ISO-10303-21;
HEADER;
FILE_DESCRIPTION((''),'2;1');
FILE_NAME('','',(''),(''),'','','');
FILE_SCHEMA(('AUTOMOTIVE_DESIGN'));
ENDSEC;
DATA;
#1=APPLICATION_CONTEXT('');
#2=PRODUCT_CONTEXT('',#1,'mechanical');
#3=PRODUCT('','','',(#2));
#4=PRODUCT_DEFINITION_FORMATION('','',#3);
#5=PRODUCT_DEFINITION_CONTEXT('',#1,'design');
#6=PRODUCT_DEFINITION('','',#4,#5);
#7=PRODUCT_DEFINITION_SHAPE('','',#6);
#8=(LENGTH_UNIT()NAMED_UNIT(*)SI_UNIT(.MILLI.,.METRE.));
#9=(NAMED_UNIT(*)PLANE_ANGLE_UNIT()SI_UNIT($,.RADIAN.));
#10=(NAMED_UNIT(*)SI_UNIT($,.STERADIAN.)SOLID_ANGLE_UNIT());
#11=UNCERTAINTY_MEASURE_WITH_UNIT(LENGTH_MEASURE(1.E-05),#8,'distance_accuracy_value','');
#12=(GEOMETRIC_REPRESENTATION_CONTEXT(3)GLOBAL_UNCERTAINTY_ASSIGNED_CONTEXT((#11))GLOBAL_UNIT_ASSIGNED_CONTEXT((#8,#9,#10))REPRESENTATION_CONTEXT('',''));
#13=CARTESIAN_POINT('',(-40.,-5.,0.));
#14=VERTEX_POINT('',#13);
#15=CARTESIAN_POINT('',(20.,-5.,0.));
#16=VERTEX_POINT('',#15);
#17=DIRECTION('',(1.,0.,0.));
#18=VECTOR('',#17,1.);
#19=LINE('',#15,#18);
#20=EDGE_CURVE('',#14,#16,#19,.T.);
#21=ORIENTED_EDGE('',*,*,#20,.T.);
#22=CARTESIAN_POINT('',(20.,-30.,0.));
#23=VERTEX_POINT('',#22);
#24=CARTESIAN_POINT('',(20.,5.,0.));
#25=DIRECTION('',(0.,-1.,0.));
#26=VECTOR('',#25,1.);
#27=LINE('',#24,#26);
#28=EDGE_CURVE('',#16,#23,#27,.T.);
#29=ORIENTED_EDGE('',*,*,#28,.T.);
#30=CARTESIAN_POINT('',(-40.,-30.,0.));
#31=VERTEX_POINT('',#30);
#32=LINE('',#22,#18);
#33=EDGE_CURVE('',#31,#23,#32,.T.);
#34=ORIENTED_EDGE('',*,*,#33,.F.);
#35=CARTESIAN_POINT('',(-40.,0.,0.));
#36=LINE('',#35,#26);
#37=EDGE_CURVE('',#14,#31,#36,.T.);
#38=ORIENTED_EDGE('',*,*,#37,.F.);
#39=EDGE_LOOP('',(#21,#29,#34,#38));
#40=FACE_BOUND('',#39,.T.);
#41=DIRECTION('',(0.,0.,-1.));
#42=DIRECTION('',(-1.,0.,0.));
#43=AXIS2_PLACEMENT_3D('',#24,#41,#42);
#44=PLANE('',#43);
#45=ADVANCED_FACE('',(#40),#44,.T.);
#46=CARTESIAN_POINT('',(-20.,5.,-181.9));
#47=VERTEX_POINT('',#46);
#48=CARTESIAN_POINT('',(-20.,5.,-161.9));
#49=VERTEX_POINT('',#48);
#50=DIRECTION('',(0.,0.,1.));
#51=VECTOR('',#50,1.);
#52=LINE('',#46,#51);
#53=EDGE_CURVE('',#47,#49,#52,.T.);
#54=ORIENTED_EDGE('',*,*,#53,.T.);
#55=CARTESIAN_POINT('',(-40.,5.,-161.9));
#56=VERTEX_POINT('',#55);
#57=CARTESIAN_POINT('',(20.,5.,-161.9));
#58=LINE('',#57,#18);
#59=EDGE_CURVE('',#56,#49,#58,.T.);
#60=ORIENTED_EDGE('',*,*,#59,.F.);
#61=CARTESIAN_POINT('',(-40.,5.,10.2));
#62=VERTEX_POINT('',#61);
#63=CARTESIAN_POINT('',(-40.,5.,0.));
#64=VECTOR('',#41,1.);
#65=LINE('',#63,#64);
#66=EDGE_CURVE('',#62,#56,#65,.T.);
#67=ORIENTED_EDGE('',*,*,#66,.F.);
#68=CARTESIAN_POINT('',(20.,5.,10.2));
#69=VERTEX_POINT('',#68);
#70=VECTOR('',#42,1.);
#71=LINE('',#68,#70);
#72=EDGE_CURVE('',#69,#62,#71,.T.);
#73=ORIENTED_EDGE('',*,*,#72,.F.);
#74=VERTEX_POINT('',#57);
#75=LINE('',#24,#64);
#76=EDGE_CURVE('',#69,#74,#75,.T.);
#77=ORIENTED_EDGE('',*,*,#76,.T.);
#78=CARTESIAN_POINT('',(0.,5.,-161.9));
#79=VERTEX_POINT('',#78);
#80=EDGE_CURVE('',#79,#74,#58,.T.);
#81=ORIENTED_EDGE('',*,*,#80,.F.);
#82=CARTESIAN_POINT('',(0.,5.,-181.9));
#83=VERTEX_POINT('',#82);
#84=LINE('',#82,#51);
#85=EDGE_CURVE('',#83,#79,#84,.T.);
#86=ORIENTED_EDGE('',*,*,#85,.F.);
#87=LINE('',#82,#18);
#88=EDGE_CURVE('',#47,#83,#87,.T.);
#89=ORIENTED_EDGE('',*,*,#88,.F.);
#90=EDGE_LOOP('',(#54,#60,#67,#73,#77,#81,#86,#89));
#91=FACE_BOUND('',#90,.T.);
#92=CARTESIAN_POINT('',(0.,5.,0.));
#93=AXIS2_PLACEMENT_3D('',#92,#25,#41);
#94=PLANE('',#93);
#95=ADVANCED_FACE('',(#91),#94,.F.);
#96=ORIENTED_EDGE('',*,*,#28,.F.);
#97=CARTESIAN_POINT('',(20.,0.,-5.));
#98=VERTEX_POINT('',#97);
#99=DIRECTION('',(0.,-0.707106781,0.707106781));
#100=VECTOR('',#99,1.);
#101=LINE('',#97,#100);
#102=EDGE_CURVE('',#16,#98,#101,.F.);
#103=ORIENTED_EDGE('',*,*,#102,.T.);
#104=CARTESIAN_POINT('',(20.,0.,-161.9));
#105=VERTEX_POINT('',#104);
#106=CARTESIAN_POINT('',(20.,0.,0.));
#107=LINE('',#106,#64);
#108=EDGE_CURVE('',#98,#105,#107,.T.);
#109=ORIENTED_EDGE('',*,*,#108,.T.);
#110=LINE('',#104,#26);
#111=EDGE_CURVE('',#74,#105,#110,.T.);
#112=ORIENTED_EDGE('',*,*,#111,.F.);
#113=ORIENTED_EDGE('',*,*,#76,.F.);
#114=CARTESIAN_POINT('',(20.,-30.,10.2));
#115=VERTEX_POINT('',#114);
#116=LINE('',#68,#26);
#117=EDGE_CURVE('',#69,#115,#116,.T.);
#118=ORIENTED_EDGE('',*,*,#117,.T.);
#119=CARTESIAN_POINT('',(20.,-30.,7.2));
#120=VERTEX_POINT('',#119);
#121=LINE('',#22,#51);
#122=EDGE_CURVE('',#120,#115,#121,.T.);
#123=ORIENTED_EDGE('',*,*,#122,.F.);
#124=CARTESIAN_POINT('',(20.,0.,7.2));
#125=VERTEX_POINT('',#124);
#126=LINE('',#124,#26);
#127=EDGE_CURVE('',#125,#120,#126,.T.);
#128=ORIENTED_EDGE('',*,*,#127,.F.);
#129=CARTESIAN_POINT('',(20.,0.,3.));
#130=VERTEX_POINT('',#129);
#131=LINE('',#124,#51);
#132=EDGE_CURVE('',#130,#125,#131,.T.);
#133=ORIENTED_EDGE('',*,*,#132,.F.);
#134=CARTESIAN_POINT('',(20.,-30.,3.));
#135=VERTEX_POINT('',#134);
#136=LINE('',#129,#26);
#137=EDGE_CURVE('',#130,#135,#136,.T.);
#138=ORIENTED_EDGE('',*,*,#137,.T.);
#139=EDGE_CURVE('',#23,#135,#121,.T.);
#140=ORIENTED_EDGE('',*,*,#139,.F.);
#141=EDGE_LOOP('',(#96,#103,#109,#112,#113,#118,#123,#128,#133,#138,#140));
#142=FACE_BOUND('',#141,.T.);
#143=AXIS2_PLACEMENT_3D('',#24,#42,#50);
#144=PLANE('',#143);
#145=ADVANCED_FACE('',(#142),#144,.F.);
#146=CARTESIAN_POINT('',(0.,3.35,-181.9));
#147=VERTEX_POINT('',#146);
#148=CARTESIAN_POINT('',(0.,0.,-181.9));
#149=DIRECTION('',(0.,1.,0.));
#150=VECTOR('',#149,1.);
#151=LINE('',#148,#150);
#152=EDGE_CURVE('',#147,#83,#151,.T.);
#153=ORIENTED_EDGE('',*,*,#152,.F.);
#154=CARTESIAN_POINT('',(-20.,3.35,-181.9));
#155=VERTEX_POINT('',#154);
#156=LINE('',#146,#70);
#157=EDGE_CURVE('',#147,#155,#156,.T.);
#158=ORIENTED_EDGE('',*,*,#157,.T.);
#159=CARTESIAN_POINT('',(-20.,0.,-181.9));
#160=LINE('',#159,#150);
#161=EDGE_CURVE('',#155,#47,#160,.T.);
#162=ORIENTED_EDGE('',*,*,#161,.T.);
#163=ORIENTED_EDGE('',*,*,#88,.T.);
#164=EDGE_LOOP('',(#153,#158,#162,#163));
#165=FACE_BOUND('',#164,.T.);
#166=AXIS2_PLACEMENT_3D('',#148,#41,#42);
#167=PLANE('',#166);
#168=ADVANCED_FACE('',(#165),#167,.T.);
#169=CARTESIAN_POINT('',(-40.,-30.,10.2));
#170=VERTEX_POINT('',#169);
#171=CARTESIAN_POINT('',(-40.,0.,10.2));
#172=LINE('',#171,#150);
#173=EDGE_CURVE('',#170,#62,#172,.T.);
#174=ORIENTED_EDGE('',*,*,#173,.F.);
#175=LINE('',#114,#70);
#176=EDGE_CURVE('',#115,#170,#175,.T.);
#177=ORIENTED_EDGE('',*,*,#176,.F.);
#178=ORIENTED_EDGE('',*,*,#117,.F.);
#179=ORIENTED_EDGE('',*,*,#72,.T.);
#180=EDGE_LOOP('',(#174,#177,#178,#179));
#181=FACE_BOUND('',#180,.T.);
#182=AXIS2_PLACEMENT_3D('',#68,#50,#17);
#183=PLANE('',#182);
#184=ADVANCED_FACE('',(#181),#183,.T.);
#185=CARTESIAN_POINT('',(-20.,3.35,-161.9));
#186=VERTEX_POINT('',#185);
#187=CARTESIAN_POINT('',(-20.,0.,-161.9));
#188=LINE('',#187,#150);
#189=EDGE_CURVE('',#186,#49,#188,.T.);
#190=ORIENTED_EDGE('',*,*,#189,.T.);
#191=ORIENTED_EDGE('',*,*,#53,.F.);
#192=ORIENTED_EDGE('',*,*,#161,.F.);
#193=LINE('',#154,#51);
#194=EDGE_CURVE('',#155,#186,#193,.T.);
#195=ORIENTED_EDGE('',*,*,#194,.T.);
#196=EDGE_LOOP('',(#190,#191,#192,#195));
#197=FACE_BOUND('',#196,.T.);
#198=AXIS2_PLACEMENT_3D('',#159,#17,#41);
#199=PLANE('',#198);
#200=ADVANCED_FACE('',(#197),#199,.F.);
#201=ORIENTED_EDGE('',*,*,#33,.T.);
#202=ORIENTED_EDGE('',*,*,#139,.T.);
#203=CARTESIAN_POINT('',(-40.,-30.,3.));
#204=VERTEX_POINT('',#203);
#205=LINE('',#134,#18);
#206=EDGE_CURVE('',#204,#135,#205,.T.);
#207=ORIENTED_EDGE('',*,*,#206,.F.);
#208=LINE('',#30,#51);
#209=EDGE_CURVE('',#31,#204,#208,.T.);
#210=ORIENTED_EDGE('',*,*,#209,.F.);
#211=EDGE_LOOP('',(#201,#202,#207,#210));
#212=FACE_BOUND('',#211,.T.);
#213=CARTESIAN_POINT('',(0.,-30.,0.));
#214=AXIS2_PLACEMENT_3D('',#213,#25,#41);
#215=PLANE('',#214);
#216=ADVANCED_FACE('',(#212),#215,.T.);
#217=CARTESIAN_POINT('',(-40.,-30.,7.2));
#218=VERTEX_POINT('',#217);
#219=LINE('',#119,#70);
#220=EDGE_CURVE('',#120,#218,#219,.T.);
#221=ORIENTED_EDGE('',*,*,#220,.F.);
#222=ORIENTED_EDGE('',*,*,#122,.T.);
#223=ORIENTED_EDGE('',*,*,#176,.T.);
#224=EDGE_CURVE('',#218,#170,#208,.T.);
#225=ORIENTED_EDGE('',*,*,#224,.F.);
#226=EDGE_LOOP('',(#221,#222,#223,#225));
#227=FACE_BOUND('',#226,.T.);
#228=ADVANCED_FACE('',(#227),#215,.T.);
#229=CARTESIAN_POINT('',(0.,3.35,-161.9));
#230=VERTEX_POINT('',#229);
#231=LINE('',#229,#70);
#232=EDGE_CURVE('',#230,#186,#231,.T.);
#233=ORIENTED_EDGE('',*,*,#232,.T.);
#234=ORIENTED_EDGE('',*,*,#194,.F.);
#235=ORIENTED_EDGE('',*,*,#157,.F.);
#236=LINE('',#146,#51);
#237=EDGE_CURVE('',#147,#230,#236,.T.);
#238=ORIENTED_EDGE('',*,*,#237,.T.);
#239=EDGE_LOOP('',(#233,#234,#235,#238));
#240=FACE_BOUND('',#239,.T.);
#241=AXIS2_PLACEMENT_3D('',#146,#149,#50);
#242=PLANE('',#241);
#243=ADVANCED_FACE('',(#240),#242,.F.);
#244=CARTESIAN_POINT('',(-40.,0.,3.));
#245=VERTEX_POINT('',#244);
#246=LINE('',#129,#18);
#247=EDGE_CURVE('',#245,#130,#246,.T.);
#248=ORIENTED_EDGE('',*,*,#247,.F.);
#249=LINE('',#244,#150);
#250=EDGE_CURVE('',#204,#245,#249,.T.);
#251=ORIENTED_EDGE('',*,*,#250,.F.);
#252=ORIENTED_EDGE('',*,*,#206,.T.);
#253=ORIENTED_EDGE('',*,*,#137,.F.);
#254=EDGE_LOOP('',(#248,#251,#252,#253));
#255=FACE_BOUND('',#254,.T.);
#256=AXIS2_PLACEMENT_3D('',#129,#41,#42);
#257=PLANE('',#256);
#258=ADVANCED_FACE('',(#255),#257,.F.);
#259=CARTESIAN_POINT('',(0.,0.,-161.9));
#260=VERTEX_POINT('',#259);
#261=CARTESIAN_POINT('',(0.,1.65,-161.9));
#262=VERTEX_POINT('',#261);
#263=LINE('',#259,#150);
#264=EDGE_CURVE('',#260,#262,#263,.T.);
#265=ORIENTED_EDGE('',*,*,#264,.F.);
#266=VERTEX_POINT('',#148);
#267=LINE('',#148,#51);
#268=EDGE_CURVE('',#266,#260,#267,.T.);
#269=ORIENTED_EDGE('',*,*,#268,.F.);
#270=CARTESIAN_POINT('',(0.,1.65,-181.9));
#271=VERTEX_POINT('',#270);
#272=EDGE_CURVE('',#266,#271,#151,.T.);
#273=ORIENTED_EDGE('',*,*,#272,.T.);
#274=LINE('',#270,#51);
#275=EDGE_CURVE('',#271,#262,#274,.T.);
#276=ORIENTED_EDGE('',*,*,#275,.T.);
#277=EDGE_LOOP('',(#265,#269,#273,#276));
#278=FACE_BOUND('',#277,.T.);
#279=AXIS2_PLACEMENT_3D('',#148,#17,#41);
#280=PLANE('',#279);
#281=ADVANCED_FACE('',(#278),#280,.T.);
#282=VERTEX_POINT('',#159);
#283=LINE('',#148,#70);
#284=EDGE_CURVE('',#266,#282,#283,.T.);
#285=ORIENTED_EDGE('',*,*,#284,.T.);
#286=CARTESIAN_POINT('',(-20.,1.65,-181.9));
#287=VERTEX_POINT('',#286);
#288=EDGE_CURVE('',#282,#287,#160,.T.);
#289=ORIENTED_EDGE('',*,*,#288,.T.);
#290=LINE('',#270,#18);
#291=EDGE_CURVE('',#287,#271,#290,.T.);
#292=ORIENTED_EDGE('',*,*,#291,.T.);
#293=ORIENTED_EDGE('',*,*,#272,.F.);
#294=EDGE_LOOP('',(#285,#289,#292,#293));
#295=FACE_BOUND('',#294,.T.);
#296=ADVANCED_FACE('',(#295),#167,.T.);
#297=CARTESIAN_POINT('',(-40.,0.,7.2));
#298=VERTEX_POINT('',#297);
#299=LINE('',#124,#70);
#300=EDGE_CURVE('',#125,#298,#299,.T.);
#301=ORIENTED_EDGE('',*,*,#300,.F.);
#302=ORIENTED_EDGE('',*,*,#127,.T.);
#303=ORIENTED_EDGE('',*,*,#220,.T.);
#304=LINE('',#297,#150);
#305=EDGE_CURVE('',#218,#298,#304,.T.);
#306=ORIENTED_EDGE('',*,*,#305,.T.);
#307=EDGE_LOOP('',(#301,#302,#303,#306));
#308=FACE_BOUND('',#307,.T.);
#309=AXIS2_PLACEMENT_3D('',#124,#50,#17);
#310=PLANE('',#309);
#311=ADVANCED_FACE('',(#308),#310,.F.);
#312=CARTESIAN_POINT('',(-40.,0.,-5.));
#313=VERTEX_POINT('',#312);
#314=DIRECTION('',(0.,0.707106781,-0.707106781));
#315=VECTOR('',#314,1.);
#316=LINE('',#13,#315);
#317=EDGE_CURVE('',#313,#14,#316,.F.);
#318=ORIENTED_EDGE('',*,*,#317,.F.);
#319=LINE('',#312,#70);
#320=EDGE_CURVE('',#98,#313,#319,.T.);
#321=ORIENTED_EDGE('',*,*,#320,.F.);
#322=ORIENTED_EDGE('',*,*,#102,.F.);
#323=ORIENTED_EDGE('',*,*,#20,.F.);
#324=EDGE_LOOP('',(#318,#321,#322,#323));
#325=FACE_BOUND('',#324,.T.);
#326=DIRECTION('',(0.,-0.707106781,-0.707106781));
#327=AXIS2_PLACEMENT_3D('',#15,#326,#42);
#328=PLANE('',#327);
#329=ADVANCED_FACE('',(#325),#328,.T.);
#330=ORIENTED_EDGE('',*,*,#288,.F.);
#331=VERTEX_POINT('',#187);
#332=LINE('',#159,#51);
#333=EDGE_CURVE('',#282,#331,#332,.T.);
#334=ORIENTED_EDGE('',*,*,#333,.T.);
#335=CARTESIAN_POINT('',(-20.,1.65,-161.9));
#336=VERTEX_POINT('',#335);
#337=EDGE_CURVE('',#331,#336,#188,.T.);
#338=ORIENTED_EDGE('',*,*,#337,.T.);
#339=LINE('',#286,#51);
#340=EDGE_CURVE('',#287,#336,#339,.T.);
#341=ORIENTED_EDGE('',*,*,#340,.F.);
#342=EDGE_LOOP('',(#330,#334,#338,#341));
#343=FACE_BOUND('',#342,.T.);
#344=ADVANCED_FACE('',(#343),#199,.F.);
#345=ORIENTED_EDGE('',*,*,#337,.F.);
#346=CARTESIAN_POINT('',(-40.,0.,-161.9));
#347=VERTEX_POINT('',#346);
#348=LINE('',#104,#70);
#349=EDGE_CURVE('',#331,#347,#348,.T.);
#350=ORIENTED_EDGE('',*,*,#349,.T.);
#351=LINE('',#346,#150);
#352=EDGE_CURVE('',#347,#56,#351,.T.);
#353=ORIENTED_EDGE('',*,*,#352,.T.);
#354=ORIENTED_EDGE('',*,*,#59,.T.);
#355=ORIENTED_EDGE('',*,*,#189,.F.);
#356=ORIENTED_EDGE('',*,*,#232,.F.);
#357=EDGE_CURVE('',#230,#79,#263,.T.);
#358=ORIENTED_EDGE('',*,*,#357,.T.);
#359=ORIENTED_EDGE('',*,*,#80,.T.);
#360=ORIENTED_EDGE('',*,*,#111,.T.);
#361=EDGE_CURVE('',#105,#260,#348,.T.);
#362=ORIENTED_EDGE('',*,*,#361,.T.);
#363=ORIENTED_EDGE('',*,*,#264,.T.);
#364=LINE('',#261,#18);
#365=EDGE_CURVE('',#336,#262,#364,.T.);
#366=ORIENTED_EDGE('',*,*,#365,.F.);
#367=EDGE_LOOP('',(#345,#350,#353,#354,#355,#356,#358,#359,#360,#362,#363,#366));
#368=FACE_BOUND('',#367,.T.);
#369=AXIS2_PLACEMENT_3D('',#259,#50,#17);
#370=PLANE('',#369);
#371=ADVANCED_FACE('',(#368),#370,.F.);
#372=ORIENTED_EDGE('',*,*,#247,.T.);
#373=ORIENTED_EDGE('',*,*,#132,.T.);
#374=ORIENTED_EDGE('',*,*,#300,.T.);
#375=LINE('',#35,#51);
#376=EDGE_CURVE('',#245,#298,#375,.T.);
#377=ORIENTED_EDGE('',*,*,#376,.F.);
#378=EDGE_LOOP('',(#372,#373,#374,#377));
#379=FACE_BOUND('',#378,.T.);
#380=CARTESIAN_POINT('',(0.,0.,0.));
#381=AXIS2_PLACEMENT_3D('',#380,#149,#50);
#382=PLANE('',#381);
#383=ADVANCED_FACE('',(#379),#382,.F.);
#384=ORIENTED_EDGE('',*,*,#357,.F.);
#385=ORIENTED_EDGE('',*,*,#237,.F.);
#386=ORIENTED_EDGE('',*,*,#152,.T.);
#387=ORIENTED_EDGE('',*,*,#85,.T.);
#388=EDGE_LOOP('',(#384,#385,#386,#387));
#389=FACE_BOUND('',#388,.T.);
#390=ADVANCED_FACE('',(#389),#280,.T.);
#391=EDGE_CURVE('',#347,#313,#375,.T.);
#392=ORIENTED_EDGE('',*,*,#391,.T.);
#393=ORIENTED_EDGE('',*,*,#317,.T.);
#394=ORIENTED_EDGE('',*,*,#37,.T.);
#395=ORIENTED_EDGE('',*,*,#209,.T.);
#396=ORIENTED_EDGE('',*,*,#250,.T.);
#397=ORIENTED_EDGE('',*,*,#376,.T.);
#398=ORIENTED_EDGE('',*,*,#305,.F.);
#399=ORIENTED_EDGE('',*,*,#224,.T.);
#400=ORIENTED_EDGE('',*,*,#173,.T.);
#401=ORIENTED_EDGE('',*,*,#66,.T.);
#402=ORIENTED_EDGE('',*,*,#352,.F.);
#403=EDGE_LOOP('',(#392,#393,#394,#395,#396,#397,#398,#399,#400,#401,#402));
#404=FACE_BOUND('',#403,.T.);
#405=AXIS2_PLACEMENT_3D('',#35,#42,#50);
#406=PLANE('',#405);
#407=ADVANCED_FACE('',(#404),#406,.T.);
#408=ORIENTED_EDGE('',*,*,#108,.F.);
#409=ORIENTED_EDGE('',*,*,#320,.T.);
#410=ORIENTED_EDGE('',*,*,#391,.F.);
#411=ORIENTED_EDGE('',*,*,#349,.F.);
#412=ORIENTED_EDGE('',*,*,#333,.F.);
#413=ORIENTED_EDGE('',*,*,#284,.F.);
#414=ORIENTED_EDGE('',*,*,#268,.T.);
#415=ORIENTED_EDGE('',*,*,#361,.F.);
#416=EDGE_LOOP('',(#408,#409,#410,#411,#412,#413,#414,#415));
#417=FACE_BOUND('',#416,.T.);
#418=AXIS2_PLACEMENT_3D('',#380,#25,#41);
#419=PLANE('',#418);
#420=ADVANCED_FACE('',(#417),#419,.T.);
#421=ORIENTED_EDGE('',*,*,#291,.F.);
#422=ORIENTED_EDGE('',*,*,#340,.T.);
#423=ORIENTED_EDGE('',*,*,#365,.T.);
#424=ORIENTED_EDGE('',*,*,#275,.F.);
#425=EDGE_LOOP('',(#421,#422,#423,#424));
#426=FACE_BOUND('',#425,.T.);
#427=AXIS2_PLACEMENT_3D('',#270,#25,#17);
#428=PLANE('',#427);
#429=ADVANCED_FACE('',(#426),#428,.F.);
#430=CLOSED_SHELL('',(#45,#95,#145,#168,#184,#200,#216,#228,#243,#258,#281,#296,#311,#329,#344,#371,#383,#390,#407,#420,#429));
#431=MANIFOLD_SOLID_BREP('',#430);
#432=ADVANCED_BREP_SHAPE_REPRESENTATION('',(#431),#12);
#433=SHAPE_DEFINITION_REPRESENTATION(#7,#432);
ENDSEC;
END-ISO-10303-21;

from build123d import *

# Parameters (mm, degrees)
SKETCH1_W                = 20
SKETCH1_H                = 80
BOSS_EXTRUDE1_DEPTH      = 5
BOSS_EXTRUDE2_DEPTH      = 30
BOSS_EXTRUDE2_DEPTH_BACK = 5
SKETCH2_W                = 20
SKETCH2_H                = 10.2
SKETCH3_W                = 20
SKETCH3_H                = 4.2
CUT_EXTRUDE1_DEPTH       = 30
BOSS_EXTRUDE3_DEPTH      = 40
SKETCH6_W                = 60
SKETCH6_H                = 5
BOSS_EXTRUDE4_DEPTH      = 81.9
SKETCH7_W                = 20
SKETCH7_H                = 1.65
BOSS_EXTRUDE5_DEPTH      = 20
CHAMFER1_SIZE            = 5


with BuildPart() as part:
    # Sketch1 → Boss-Extrude1 (new body)
    with BuildSketch(Plane(origin=(0, 0, 0), x_dir=(1, 0, 0), z_dir=(0, 1, 0))):
        with Locations((10, 40)):
            Rectangle(SKETCH1_W, SKETCH1_H)
    extrude(amount=BOSS_EXTRUDE1_DEPTH)

    # Sketch2 → Boss-Extrude2 (add, two sides: drawn at the far end of the back side and taken through both)
    with BuildSketch(Plane.XZ.offset(-BOSS_EXTRUDE2_DEPTH_BACK)):
        with Locations((10, 5.1)):
            Rectangle(SKETCH2_W, SKETCH2_H)
    extrude(amount=BOSS_EXTRUDE2_DEPTH + BOSS_EXTRUDE2_DEPTH_BACK)

    # Sketch3 → Cut-Extrude1 (cut)
    with BuildSketch(Plane.XZ.offset(30)):
        with Locations((10, 5.1)):
            Rectangle(SKETCH3_W, SKETCH3_H)
    extrude(amount=-CUT_EXTRUDE1_DEPTH, mode=Mode.SUBTRACT)

    # Sketch5 → Boss-Extrude3 (add)
    with BuildSketch(Plane.ZY):
        Polygon((3, 0), (7.2, 0), (7.2, 5), (-80, 5), (-80, 0), (0, 0), (0, -30), (3, -30), align=None)
        Polygon((7.2, -30), (10.2, -30), (10.2, 5), (7.2, 5), (7.2, 0), align=None)
    extrude(amount=BOSS_EXTRUDE3_DEPTH)

    # Sketch6 → Boss-Extrude4 (add)
    with BuildSketch(Plane(origin=(0, 0, -80), x_dir=(-1, 0, 0), z_dir=(0, 0, -1))):
        with Locations((10, 2.5)):
            Rectangle(SKETCH6_W, SKETCH6_H)
    extrude(amount=BOSS_EXTRUDE4_DEPTH)

    # Sketch7 → Boss-Extrude5 (add)
    with BuildSketch(Plane(origin=(0, 0, -161.9), x_dir=(-1, 0, 0), z_dir=(0, 0, -1))):
        with Locations((10, 4.175)):
            Rectangle(SKETCH7_W, SKETCH7_H)
        with Locations((10, 0.825)):
            Rectangle(SKETCH7_W, SKETCH7_H)
    extrude(amount=BOSS_EXTRUDE5_DEPTH)

    # Chamfer1
    chamfer1_edges = [part.edges().sort_by_distance(p)[0] for p in [
        (-10, 0, 0),
    ]]
    chamfer(chamfer1_edges, length=CHAMFER1_SIZE)


solid = part.part
